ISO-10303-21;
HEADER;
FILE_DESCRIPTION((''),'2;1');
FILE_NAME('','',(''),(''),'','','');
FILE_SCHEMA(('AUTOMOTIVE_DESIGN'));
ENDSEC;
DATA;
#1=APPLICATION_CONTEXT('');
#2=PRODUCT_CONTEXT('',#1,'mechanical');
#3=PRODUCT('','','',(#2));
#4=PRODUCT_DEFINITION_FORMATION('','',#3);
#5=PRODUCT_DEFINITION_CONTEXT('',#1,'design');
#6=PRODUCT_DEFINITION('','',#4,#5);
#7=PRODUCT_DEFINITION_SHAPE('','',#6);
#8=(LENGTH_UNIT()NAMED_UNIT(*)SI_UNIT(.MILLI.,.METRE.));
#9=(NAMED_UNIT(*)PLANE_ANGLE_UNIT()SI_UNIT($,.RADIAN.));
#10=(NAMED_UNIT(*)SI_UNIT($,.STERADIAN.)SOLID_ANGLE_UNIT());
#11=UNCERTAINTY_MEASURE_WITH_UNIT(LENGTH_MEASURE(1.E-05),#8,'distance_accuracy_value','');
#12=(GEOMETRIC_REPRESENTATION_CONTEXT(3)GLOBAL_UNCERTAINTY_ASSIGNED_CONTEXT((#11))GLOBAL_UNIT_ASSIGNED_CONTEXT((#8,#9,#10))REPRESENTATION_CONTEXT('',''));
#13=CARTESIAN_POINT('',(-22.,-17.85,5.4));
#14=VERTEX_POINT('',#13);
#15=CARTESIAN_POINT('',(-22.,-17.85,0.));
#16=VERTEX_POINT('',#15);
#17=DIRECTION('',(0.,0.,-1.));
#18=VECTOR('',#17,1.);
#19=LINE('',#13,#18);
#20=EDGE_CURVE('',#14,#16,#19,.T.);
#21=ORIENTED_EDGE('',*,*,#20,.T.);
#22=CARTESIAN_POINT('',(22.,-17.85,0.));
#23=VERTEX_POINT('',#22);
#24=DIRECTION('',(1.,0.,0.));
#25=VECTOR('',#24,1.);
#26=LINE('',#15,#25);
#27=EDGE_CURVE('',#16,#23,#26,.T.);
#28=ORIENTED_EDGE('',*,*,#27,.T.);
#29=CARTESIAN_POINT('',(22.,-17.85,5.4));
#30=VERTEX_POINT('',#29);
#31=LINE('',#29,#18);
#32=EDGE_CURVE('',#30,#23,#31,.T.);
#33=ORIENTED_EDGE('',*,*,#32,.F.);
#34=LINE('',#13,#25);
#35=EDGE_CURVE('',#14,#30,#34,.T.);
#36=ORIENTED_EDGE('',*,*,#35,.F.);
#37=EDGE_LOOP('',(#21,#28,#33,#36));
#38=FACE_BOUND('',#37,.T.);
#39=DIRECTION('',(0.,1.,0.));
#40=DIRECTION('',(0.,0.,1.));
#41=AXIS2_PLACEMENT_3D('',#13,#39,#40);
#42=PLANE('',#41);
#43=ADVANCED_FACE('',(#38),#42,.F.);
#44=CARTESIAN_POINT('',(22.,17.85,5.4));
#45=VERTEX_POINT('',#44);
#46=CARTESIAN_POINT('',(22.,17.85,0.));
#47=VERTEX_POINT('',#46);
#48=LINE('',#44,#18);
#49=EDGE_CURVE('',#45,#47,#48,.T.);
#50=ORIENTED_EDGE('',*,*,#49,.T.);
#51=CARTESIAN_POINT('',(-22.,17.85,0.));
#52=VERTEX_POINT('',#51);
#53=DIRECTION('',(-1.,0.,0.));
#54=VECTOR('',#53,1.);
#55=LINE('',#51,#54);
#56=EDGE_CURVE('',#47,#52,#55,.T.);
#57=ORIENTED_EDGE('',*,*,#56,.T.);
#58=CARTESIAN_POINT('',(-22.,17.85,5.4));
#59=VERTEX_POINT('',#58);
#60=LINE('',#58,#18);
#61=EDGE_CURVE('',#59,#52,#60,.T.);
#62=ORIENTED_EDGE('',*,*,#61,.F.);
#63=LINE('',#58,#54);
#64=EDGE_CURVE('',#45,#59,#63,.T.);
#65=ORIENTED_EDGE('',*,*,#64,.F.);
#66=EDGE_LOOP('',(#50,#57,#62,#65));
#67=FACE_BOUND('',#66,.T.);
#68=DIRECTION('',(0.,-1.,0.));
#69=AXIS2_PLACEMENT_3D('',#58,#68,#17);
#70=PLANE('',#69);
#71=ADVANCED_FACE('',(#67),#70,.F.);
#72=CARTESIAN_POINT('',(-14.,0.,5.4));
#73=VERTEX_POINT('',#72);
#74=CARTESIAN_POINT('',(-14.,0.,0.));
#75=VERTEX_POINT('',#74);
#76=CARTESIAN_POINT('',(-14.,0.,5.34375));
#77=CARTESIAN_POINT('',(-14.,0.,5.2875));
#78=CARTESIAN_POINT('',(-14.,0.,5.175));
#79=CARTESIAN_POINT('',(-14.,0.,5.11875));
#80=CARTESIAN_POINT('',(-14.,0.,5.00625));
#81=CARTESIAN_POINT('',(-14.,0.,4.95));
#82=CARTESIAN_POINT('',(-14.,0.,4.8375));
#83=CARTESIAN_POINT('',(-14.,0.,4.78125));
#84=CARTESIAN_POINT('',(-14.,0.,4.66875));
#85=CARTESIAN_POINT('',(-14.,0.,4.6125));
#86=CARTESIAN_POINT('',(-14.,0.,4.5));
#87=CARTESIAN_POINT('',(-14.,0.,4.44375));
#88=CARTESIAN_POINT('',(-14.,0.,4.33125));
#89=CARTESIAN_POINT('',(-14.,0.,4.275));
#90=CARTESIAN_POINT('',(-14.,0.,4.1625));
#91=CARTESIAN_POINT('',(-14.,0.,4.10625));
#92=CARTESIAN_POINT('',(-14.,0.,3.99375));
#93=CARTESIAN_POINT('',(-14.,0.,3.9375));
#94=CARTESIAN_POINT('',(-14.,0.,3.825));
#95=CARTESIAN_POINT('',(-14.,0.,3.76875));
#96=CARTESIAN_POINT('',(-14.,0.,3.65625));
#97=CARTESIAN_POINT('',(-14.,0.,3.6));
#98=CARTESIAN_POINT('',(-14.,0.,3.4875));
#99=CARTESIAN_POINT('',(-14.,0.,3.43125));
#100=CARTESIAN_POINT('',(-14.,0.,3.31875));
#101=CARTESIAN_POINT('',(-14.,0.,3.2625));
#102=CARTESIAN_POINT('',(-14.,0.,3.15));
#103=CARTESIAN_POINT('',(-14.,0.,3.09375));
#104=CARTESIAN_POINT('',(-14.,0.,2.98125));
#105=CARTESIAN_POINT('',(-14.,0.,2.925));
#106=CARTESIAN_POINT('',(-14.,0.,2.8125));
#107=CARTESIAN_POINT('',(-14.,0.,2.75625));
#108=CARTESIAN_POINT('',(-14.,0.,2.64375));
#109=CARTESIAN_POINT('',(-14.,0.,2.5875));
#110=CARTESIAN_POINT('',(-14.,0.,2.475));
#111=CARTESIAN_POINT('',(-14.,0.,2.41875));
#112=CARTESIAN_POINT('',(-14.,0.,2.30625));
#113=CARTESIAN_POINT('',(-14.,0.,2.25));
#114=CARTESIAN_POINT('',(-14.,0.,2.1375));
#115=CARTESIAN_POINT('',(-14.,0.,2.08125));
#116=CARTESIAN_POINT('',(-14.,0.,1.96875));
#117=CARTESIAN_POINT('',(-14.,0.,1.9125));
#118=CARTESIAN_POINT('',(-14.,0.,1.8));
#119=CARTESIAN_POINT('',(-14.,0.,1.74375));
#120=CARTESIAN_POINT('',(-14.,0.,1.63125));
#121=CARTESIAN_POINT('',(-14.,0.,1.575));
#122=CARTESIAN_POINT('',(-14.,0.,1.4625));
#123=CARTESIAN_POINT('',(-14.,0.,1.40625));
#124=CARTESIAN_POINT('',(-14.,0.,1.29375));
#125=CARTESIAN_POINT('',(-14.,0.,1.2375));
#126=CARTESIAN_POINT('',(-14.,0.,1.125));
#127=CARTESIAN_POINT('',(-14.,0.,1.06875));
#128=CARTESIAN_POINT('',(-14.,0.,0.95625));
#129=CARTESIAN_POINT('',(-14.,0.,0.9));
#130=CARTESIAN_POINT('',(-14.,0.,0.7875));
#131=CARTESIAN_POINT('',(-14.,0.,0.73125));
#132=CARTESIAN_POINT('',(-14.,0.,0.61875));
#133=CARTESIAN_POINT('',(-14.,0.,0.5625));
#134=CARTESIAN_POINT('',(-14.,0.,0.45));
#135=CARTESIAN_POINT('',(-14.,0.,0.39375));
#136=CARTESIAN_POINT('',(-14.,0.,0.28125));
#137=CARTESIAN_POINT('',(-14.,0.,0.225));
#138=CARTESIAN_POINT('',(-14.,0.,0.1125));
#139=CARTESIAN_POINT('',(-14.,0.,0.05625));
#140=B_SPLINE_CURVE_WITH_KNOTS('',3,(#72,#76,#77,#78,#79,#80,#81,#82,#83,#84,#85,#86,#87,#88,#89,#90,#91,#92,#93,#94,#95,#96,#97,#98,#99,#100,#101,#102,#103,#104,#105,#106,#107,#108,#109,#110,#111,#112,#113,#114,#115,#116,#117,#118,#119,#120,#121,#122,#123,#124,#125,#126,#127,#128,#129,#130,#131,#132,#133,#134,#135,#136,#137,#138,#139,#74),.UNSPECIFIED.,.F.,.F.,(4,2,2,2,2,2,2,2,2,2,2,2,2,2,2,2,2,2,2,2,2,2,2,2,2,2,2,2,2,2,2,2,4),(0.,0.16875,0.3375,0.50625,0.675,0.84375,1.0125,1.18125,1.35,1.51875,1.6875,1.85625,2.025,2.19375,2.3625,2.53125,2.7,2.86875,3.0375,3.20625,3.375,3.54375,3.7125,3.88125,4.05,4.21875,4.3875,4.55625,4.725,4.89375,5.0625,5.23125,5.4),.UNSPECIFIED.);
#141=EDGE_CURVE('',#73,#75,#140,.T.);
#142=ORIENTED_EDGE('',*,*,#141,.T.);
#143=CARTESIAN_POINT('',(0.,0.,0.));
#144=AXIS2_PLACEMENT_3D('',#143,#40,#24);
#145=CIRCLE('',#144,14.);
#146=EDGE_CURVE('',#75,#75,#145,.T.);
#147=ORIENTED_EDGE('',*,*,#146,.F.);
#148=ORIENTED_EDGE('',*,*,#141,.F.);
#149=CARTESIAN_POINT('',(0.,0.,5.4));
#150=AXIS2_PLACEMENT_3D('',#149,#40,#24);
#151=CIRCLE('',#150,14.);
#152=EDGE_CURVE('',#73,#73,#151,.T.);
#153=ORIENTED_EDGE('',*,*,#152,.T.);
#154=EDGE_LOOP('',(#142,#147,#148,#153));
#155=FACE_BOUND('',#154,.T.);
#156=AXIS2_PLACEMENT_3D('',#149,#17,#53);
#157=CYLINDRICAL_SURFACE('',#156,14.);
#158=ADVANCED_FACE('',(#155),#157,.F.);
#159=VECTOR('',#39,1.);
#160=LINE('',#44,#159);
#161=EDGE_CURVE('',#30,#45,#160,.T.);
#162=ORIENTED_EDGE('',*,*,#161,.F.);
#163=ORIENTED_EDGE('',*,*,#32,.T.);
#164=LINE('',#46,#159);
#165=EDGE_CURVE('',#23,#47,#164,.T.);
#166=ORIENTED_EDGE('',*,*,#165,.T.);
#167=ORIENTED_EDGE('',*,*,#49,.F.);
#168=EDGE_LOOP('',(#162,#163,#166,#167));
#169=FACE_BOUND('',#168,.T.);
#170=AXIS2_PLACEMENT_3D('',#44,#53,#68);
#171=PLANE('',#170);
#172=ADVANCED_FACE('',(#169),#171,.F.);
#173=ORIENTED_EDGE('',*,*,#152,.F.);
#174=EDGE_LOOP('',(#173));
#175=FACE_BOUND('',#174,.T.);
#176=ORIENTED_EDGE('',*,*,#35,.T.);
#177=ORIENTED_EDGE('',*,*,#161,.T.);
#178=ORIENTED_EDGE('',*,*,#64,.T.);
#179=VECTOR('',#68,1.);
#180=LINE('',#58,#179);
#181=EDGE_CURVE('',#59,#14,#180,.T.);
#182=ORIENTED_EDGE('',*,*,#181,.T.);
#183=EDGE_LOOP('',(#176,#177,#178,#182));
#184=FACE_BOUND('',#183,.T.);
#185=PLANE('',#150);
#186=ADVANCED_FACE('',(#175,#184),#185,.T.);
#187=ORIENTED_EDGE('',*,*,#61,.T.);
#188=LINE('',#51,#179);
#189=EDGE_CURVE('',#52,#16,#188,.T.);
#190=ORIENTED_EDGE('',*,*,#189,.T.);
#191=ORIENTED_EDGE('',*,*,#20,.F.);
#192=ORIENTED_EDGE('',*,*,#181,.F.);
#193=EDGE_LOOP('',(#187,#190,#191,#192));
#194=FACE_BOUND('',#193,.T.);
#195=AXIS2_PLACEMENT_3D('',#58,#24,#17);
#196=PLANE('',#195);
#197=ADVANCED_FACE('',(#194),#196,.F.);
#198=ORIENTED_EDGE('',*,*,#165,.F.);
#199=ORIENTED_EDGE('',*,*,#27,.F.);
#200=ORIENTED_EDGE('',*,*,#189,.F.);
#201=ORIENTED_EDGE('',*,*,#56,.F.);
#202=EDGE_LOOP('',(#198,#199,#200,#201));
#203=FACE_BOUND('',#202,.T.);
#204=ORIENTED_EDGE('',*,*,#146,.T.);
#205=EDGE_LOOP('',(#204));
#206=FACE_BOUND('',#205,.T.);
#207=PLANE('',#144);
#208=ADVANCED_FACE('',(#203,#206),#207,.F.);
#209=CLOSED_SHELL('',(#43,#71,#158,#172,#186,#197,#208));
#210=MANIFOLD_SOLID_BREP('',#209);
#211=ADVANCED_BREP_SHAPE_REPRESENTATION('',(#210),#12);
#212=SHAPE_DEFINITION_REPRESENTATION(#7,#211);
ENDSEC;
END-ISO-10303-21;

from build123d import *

# Parameters (mm, degrees)
CROQUIS1_W              = 44
CROQUIS1_H              = 35.7
CROQUIS1_R              = 14
SALIENTE_EXTRUIR1_DEPTH = 5.4


with BuildPart() as part:
    # Croquis1 → Saliente-Extruir1 (new body)
    with BuildSketch(Plane.XY):
        Rectangle(CROQUIS1_W, CROQUIS1_H)
        with Locations(Location((0, 0, 0), (0, 0, 180))):
            Circle(CROQUIS1_R, mode=Mode.SUBTRACT)
    extrude(amount=SALIENTE_EXTRUIR1_DEPTH)


solid = part.part
